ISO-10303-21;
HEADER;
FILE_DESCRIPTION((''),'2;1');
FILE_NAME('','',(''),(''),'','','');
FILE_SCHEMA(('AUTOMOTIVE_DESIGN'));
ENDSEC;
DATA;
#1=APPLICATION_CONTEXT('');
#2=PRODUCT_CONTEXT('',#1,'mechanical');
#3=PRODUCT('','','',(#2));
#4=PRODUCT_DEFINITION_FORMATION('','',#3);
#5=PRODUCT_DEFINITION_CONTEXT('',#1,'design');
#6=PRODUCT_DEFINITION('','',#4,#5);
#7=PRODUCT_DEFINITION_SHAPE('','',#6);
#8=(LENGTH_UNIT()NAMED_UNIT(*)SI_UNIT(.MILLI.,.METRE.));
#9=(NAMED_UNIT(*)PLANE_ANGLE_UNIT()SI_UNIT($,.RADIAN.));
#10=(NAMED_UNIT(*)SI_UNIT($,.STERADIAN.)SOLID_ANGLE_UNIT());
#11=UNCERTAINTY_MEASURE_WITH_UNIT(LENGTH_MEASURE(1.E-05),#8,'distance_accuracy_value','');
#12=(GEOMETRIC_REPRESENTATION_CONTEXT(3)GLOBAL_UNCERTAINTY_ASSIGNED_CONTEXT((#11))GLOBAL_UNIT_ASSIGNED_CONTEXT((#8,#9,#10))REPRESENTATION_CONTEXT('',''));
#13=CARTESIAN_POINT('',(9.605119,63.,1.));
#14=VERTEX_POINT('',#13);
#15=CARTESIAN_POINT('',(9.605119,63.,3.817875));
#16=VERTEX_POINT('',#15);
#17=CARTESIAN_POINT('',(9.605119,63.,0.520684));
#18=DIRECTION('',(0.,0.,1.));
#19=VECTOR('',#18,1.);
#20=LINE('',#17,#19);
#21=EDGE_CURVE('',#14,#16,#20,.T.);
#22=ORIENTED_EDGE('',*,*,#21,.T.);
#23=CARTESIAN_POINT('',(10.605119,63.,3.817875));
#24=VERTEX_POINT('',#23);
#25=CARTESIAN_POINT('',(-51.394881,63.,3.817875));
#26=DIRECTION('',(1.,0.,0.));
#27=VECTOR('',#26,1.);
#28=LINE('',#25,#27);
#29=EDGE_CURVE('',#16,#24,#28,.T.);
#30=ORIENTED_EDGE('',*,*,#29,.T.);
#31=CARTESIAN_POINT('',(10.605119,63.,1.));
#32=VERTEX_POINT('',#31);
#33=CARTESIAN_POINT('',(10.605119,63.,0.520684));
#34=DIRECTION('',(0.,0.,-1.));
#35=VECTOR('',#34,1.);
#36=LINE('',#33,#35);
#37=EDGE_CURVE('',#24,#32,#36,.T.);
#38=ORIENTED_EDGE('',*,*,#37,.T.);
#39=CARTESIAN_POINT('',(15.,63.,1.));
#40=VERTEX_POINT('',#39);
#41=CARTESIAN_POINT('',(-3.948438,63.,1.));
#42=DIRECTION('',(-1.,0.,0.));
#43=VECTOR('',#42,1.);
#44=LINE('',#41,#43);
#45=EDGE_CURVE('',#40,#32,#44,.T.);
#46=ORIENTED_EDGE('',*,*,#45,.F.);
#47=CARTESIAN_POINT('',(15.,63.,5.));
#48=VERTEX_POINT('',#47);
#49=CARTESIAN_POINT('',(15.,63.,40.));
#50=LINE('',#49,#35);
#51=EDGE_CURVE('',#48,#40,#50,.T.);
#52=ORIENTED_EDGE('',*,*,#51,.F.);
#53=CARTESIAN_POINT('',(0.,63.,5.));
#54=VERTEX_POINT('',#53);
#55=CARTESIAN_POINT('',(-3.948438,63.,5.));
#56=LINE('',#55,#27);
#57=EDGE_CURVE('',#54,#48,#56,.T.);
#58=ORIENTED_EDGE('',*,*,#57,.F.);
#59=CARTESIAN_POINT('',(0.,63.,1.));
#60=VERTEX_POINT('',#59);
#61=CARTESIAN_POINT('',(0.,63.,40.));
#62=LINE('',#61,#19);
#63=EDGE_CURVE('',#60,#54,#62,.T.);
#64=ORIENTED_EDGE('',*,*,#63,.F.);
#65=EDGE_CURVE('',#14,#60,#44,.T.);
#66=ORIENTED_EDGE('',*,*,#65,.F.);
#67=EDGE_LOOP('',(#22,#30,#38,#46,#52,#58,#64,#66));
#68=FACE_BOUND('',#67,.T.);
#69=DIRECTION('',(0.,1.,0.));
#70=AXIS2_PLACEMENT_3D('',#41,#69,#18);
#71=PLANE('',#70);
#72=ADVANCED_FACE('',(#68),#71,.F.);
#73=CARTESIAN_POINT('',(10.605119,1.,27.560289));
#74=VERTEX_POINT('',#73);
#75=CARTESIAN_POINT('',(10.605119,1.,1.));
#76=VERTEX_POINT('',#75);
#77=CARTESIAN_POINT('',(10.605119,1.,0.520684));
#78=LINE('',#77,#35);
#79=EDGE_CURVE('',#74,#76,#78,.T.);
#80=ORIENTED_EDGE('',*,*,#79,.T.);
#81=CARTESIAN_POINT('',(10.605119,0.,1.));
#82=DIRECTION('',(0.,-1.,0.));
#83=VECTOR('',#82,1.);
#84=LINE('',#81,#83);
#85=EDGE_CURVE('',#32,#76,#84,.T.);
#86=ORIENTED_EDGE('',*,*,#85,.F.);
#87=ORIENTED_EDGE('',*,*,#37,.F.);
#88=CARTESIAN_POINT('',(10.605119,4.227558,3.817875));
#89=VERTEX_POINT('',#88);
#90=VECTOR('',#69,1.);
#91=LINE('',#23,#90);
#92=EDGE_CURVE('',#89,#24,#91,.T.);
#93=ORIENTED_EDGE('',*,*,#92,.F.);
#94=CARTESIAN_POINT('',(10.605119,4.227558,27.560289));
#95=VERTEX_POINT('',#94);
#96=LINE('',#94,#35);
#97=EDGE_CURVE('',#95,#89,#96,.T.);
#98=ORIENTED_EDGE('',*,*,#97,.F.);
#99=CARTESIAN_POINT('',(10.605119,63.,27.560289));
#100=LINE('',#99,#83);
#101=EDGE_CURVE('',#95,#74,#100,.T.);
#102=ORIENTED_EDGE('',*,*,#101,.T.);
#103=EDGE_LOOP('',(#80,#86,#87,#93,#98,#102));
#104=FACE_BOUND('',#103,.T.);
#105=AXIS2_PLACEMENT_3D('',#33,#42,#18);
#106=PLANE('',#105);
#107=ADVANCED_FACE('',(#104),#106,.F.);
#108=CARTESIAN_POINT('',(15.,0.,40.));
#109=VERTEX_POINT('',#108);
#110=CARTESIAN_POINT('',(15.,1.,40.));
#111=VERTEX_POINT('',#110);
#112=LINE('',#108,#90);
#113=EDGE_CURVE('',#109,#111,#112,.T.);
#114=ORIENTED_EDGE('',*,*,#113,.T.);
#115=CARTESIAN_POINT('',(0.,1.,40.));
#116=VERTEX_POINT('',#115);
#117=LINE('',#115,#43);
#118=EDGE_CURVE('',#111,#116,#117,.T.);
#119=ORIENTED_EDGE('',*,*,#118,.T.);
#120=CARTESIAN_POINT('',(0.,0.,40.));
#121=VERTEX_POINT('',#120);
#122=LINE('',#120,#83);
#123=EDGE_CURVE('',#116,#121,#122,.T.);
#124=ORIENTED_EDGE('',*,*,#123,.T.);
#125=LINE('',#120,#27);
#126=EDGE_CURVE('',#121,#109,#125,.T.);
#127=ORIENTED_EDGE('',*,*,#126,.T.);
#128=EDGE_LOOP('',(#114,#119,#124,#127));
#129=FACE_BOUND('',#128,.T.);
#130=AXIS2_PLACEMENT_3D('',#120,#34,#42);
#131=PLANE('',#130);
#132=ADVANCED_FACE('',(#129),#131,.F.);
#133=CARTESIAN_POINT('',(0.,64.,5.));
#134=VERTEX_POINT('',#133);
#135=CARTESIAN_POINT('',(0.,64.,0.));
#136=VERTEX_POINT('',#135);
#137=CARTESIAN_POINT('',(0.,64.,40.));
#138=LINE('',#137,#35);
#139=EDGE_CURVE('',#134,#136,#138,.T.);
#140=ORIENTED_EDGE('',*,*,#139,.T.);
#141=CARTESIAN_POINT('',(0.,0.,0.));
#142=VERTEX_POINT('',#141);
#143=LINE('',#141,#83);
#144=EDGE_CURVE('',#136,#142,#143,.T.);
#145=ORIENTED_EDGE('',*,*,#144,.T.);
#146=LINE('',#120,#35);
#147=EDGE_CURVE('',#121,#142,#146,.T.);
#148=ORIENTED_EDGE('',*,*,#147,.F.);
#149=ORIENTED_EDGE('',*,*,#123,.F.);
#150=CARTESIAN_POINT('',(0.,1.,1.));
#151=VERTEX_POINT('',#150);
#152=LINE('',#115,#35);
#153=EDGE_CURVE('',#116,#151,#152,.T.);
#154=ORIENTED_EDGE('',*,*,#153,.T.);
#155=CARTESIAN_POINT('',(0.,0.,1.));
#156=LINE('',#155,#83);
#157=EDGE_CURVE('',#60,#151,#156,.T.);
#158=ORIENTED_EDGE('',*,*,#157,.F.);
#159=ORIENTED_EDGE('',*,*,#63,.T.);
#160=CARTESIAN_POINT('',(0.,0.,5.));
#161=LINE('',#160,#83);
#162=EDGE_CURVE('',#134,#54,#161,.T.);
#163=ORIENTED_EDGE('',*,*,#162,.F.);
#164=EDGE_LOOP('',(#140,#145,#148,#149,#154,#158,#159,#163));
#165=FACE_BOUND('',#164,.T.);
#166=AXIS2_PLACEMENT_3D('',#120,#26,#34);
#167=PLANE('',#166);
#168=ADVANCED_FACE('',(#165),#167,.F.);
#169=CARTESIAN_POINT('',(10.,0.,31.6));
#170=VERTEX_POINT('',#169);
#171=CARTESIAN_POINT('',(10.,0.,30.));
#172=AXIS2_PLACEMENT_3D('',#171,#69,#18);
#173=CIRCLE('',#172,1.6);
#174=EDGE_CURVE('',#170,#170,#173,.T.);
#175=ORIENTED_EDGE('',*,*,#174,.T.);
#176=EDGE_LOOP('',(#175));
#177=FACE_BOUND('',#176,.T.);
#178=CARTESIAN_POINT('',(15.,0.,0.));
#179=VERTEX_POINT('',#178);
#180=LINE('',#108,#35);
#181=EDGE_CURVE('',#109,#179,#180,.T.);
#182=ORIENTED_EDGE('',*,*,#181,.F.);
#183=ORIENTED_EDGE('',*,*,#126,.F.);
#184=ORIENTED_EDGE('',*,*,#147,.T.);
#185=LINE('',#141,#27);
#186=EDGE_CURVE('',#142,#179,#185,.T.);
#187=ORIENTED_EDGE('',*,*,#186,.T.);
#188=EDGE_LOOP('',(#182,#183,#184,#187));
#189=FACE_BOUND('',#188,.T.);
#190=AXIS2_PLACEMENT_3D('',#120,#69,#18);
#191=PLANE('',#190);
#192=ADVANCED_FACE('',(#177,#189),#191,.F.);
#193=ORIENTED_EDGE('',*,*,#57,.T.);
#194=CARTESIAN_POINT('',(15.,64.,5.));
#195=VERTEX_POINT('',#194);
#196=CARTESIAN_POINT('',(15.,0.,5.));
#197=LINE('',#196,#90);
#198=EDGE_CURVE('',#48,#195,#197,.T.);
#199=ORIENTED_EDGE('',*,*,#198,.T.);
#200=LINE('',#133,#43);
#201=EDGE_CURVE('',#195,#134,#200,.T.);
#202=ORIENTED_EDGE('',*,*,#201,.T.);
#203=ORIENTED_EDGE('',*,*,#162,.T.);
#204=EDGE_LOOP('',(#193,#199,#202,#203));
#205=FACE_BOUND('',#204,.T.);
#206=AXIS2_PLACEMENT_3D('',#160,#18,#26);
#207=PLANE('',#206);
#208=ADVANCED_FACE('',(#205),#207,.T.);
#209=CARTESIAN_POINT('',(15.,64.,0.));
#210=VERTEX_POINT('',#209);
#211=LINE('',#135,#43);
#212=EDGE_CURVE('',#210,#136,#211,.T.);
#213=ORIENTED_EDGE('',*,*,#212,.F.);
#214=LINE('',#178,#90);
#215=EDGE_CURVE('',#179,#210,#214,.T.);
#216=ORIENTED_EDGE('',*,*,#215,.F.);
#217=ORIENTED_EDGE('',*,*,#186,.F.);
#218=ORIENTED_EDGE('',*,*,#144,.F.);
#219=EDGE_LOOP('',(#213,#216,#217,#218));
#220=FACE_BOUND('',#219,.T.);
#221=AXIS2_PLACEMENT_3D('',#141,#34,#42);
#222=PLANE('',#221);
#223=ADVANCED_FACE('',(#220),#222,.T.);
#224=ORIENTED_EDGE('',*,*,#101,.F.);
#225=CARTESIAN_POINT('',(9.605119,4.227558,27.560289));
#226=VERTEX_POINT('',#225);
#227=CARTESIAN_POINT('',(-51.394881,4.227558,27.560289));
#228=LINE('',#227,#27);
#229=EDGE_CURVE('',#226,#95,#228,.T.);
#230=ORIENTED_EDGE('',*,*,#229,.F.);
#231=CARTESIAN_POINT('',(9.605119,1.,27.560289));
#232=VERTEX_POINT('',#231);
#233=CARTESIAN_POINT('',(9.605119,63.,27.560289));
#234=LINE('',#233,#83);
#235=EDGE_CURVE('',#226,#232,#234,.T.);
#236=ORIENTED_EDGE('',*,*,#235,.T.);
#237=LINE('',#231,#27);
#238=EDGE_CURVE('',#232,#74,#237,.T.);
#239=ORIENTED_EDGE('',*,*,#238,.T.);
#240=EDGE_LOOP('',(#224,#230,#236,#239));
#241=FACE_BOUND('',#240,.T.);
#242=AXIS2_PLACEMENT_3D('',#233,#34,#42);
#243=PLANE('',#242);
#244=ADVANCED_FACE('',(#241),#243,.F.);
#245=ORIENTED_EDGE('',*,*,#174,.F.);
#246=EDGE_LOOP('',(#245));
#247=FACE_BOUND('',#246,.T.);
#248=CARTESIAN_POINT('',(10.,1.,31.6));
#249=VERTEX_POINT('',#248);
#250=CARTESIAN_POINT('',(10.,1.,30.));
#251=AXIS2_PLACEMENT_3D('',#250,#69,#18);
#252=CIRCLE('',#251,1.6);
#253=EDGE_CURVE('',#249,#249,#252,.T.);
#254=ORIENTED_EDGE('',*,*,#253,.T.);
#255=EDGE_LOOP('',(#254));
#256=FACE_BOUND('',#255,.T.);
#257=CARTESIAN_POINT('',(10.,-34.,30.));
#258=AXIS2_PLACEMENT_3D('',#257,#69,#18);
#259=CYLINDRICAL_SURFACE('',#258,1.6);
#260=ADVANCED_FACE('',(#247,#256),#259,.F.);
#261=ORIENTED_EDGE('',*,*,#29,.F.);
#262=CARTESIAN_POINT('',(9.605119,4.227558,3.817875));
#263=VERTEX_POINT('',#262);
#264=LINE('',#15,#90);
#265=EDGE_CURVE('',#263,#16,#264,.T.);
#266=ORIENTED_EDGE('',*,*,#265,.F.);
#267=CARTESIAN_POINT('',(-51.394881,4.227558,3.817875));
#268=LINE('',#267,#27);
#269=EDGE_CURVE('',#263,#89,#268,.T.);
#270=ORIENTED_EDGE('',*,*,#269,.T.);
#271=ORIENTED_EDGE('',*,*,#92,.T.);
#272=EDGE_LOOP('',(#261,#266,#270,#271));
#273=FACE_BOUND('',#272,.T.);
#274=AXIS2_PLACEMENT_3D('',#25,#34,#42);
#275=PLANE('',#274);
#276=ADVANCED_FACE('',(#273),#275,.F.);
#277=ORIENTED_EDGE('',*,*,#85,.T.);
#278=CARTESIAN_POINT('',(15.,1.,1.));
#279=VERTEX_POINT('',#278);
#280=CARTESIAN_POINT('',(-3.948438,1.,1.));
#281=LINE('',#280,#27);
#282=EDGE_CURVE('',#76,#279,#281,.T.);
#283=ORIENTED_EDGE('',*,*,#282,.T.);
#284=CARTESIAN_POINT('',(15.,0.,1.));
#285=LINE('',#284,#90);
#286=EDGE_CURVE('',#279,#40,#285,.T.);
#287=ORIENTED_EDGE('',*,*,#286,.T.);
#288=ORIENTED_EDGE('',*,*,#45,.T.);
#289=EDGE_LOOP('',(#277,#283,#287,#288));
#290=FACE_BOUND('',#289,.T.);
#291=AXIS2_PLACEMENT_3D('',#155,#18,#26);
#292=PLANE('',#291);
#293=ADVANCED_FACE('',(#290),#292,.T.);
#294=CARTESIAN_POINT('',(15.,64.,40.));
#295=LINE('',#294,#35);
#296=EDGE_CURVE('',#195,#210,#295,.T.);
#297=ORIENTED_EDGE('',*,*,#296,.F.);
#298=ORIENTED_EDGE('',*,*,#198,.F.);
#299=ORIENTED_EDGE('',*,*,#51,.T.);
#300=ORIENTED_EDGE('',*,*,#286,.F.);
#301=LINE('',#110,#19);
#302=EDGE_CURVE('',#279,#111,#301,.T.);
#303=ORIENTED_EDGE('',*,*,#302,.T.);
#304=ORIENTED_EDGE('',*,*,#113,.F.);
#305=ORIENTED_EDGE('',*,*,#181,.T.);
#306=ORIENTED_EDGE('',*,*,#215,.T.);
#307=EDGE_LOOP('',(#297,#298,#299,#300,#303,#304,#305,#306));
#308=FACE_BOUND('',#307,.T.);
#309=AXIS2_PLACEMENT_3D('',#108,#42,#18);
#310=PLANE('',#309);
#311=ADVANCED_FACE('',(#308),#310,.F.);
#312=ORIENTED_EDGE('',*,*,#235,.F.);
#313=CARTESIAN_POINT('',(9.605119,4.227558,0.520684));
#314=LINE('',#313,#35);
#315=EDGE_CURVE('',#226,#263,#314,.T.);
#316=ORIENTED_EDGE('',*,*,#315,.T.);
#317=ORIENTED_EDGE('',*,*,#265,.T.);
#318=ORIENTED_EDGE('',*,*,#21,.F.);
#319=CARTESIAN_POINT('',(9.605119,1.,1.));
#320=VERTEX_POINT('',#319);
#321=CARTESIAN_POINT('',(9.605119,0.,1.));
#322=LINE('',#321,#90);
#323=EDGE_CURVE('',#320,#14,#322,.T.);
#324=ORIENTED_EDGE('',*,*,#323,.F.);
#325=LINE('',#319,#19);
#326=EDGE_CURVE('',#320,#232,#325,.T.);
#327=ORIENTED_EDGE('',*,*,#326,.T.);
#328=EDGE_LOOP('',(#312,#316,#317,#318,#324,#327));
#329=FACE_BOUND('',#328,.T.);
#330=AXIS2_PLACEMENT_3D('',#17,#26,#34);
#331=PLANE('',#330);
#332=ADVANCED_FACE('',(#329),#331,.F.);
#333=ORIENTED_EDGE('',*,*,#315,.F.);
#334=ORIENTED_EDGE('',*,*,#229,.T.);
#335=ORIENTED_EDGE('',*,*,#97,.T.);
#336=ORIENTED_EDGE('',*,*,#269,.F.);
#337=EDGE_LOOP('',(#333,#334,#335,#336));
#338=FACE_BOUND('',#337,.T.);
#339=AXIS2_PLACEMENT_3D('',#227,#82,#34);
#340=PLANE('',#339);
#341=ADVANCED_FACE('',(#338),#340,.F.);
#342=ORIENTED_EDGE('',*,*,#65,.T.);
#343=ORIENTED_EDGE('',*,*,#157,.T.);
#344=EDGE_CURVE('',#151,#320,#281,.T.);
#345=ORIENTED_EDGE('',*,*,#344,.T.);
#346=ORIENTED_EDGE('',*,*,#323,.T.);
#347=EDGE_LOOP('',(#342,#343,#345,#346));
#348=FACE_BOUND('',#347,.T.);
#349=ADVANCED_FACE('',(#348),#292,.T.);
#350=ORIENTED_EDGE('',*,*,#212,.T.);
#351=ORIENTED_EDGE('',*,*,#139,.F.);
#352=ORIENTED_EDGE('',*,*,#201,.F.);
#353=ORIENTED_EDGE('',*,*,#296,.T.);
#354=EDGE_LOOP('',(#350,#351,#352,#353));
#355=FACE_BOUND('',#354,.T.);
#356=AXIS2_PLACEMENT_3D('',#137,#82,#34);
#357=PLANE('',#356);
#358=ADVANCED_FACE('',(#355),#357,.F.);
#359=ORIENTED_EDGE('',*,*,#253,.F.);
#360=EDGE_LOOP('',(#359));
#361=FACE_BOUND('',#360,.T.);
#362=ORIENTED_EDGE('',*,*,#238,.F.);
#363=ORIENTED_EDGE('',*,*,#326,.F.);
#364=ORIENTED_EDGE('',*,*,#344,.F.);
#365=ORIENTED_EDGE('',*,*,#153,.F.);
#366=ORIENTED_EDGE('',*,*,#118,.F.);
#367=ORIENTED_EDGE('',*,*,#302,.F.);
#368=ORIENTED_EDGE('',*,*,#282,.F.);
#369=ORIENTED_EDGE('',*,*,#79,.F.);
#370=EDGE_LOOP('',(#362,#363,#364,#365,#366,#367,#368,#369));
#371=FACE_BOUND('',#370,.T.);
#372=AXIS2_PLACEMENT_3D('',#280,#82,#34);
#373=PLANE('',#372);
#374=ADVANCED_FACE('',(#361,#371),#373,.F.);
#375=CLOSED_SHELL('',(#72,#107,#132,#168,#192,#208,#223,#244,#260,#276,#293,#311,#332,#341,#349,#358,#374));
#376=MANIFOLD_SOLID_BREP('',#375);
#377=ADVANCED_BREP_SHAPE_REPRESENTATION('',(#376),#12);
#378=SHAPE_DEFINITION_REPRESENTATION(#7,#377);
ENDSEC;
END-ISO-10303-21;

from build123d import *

# Parameters (mm, degrees)
SKETCH_1_W          = 15
SKETCH_1_H          = 64
EXTRUDE_1_DEPTH     = 40
SKETCH_2_W          = 30.056005851
SKETCH_2_H          = 62
CUT_EXTRUDE_1_DEPTH = 39
SKETCH_3_W          = 28.51308974
SKETCH_3_H          = 3.641282023
CUT_EXTRUDE_2_DEPTH = 35
SKETCH_4_R          = 1.6
CUT_EXTRUDE_3_DEPTH = 35
SKETCH_5_W          = 1
SKETCH_5_H          = 27.039604853
EXTRUDE_2_DEPTH     = 62
SKETCH_7_W          = 23.742414222
SKETCH_7_H          = 58.772442454
CUT_EXTRUDE_5_DEPTH = 62


with BuildPart() as part:
    # 草图1 → 凸台-拉伸1 (new body)
    with BuildSketch(Plane.XY):
        with Locations((7.5, 32)):
            Rectangle(SKETCH_1_W, SKETCH_1_H)
    extrude(amount=EXTRUDE_1_DEPTH)

    # 草图2 → 切除-拉伸1 (cut)
    with BuildSketch(Plane.XY.offset(40)):
        with Locations((11.079565378, 32)):
            Rectangle(SKETCH_2_W, SKETCH_2_H)
    extrude(amount=-CUT_EXTRUDE_1_DEPTH, mode=Mode.SUBTRACT)

    # 草图3 → 切除-拉伸2 (cut)
    with BuildSketch(Plane.XY.offset(40)):
        with Locations((10.369823967, 63.629780285)):
            Rectangle(SKETCH_3_W, SKETCH_3_H)
    extrude(amount=-CUT_EXTRUDE_2_DEPTH, mode=Mode.SUBTRACT)

    # 草图4 → 切除-拉伸3 (cut)
    with BuildSketch(Plane(origin=(0, 1, 0), x_dir=(1, 0, 0), z_dir=(0, 1, 0))):
        with Locations(Location((10, -30, 0), (0, 0, 270))):
            Circle(SKETCH_4_R)
    extrude(amount=-CUT_EXTRUDE_3_DEPTH, mode=Mode.SUBTRACT)

    # 草图5 → 凸台-拉伸2 (add)
    with BuildSketch(Plane(origin=(0, 1, 0), x_dir=(1, 0, 0), z_dir=(0, 1, 0))):
        with Locations((10.105118674, -14.040486519)):
            Rectangle(SKETCH_5_W, SKETCH_5_H)
    extrude(amount=EXTRUDE_2_DEPTH)

    # 草图7 → 切除-拉伸5 (cut)
    with BuildSketch(Plane(origin=(10.605118674, 0, 0), x_dir=(0, 0, -1), z_dir=(1, 0, 0))):
        with Locations((-15.689081835, 33.613778773)):
            Rectangle(SKETCH_7_W, SKETCH_7_H)
    extrude(amount=-CUT_EXTRUDE_5_DEPTH, mode=Mode.SUBTRACT)


solid = part.part
